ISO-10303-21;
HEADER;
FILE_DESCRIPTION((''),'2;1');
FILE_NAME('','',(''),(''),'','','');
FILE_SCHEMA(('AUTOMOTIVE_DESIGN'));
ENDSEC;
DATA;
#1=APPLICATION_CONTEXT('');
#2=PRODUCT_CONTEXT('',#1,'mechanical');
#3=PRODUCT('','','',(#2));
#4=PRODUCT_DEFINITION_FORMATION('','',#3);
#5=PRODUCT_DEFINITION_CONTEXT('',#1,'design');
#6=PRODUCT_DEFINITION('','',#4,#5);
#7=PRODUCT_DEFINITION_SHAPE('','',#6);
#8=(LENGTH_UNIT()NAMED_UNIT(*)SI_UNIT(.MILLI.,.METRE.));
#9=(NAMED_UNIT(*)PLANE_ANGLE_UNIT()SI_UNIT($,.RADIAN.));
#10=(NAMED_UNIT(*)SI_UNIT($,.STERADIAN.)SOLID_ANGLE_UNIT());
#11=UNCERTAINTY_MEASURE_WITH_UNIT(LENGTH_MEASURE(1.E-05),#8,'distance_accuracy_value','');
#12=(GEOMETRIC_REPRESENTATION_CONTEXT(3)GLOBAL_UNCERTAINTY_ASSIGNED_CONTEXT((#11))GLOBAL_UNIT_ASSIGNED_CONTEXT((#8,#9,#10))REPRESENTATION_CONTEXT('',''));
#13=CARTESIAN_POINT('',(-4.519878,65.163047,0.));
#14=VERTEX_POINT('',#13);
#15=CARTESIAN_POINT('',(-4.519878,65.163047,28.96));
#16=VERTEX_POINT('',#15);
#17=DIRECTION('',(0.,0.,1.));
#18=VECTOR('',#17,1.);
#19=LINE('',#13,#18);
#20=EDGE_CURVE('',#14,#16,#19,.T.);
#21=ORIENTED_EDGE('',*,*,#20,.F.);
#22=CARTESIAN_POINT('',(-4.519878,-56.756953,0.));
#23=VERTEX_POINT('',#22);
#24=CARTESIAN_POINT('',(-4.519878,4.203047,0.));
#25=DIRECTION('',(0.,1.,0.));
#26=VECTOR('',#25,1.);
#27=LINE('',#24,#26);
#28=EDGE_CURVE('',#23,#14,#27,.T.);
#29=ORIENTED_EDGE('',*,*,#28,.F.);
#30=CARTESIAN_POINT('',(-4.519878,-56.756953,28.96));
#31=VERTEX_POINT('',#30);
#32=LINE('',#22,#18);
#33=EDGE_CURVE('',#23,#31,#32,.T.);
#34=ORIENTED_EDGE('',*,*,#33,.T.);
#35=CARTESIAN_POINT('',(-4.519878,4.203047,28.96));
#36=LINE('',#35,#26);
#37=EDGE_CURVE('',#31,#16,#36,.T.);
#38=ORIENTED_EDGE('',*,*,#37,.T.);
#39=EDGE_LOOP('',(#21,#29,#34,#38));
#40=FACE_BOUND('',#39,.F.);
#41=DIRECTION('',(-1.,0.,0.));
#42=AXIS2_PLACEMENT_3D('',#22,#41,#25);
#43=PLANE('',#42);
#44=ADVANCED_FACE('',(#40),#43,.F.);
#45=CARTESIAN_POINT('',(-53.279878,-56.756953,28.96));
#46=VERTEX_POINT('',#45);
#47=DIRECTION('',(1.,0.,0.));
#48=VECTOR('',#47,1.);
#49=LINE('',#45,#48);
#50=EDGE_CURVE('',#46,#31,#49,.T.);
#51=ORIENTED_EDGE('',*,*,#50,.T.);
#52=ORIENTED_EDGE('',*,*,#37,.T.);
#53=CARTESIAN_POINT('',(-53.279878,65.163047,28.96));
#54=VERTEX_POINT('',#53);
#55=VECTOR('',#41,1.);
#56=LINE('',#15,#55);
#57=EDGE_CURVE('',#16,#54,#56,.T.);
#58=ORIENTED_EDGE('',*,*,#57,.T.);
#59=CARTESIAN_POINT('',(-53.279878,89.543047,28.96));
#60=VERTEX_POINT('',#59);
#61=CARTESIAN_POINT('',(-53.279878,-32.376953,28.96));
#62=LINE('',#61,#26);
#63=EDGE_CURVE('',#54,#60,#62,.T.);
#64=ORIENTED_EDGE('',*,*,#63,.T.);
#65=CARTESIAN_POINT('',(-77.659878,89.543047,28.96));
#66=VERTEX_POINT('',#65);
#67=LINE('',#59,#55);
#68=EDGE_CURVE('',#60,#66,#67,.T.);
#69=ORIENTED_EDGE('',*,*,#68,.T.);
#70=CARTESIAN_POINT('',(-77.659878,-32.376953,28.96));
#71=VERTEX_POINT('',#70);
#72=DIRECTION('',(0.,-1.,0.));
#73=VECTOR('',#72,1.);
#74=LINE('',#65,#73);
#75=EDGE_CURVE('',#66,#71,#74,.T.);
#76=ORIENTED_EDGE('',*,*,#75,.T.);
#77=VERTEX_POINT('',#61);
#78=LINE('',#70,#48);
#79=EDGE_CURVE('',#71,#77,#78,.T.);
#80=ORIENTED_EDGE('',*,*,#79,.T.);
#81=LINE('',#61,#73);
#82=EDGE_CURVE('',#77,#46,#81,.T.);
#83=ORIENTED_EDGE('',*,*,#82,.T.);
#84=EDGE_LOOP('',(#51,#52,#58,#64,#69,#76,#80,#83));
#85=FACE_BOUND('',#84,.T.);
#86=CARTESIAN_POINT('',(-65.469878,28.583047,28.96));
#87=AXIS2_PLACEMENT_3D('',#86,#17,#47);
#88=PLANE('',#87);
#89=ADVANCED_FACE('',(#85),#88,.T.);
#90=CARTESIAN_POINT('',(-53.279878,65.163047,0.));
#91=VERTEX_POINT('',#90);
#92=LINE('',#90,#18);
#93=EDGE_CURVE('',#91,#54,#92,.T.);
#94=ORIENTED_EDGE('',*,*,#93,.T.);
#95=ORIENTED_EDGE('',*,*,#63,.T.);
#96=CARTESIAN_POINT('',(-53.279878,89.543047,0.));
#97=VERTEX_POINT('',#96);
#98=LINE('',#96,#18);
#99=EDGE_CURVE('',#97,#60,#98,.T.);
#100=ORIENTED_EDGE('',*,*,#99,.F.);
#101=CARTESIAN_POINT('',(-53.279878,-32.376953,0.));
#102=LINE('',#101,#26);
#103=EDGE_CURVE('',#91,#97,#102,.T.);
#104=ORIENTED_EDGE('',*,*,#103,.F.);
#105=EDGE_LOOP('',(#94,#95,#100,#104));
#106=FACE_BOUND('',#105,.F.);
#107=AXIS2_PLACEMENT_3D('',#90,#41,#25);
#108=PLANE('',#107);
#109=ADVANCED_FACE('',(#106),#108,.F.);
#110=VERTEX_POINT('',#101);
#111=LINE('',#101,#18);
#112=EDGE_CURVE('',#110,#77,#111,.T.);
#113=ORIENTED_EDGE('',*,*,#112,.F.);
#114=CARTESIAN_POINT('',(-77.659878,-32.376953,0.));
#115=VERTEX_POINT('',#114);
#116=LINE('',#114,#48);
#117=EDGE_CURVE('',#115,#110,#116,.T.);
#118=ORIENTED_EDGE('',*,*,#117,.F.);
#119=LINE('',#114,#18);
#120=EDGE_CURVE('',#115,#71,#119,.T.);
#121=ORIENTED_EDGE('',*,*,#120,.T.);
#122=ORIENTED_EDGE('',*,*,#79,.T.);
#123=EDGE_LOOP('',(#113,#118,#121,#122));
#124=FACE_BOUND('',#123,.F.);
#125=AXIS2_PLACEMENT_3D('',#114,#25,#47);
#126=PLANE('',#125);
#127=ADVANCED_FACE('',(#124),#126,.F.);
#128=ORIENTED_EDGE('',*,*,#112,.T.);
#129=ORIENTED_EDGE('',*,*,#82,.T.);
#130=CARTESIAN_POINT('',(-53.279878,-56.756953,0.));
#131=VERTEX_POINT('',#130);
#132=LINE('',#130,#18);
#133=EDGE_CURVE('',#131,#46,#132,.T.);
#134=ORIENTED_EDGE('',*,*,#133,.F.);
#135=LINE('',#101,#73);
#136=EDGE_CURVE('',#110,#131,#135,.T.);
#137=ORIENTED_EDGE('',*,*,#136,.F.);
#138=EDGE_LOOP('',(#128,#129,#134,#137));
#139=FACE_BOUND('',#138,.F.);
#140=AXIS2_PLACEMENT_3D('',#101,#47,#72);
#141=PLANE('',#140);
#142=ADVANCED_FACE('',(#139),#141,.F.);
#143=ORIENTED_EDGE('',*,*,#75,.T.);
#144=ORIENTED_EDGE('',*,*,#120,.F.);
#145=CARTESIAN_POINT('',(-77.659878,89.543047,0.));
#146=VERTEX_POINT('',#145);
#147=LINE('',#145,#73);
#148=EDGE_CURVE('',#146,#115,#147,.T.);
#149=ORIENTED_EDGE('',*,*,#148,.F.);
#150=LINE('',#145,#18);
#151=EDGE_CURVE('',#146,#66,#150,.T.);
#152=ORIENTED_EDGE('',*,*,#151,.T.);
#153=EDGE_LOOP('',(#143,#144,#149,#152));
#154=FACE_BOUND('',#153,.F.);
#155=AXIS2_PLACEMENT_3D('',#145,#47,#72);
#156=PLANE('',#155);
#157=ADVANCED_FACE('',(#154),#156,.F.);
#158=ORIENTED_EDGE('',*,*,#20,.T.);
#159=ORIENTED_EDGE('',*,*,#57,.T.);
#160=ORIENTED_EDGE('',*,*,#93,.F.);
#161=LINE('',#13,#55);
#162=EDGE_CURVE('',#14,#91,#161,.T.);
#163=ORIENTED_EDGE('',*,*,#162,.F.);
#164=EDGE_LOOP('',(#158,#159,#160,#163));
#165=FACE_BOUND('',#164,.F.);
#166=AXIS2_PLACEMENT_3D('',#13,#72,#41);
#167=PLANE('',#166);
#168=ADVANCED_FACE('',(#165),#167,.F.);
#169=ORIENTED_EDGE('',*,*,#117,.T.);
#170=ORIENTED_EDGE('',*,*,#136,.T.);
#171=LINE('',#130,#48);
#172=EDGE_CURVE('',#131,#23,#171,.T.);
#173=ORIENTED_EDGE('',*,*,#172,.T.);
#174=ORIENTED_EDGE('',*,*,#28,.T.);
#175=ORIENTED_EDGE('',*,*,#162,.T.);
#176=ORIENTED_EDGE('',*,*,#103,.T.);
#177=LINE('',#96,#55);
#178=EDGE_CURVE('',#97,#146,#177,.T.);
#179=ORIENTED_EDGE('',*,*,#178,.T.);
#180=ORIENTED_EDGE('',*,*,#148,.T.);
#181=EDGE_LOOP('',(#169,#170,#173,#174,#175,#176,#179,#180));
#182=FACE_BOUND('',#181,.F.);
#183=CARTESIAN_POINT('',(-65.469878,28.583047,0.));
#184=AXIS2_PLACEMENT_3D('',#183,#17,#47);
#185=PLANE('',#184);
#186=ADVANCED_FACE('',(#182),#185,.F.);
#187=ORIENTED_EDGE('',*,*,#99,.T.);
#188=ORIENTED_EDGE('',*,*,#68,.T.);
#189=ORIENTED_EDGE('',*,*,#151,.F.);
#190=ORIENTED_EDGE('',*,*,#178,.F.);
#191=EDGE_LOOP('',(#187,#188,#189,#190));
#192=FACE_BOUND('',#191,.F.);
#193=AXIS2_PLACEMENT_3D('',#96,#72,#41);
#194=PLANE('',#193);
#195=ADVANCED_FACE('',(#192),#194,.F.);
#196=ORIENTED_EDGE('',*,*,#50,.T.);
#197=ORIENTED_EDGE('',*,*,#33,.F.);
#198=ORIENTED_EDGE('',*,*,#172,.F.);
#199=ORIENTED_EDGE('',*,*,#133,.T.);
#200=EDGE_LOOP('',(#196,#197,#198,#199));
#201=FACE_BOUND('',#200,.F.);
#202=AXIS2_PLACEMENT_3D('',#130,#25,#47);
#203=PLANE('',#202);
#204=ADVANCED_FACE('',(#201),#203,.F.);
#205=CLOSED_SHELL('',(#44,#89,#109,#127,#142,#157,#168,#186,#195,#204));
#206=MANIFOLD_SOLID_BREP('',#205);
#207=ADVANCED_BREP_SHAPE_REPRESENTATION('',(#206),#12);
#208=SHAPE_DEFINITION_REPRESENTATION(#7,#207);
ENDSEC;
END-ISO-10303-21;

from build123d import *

# Parameters (mm, degrees)
F0_W     = 24.38
F0_H     = 121.92
F1_DEPTH = 28.96


with BuildPart() as f1:
    # F0 (on Top) → F1 (new body)
    with BuildSketch(Plane.XY):
        Polygon((-53.279878, 89.543047), (-77.659878, 89.543047), (-77.659878, -32.376953), (-53.279878, -32.376953), (-53.279878, 65.163047), align=None)
        Polygon((-28.899878, 65.163047), (-53.279878, 65.163047), (-53.279878, -32.376953), (-53.279878, -56.756953), (-28.899878, -56.756953), align=None)
        with Locations((-16.709878, 4.203047)):
            Rectangle(F0_W, F0_H)
    extrude(amount=F1_DEPTH)


solid = f1.part
